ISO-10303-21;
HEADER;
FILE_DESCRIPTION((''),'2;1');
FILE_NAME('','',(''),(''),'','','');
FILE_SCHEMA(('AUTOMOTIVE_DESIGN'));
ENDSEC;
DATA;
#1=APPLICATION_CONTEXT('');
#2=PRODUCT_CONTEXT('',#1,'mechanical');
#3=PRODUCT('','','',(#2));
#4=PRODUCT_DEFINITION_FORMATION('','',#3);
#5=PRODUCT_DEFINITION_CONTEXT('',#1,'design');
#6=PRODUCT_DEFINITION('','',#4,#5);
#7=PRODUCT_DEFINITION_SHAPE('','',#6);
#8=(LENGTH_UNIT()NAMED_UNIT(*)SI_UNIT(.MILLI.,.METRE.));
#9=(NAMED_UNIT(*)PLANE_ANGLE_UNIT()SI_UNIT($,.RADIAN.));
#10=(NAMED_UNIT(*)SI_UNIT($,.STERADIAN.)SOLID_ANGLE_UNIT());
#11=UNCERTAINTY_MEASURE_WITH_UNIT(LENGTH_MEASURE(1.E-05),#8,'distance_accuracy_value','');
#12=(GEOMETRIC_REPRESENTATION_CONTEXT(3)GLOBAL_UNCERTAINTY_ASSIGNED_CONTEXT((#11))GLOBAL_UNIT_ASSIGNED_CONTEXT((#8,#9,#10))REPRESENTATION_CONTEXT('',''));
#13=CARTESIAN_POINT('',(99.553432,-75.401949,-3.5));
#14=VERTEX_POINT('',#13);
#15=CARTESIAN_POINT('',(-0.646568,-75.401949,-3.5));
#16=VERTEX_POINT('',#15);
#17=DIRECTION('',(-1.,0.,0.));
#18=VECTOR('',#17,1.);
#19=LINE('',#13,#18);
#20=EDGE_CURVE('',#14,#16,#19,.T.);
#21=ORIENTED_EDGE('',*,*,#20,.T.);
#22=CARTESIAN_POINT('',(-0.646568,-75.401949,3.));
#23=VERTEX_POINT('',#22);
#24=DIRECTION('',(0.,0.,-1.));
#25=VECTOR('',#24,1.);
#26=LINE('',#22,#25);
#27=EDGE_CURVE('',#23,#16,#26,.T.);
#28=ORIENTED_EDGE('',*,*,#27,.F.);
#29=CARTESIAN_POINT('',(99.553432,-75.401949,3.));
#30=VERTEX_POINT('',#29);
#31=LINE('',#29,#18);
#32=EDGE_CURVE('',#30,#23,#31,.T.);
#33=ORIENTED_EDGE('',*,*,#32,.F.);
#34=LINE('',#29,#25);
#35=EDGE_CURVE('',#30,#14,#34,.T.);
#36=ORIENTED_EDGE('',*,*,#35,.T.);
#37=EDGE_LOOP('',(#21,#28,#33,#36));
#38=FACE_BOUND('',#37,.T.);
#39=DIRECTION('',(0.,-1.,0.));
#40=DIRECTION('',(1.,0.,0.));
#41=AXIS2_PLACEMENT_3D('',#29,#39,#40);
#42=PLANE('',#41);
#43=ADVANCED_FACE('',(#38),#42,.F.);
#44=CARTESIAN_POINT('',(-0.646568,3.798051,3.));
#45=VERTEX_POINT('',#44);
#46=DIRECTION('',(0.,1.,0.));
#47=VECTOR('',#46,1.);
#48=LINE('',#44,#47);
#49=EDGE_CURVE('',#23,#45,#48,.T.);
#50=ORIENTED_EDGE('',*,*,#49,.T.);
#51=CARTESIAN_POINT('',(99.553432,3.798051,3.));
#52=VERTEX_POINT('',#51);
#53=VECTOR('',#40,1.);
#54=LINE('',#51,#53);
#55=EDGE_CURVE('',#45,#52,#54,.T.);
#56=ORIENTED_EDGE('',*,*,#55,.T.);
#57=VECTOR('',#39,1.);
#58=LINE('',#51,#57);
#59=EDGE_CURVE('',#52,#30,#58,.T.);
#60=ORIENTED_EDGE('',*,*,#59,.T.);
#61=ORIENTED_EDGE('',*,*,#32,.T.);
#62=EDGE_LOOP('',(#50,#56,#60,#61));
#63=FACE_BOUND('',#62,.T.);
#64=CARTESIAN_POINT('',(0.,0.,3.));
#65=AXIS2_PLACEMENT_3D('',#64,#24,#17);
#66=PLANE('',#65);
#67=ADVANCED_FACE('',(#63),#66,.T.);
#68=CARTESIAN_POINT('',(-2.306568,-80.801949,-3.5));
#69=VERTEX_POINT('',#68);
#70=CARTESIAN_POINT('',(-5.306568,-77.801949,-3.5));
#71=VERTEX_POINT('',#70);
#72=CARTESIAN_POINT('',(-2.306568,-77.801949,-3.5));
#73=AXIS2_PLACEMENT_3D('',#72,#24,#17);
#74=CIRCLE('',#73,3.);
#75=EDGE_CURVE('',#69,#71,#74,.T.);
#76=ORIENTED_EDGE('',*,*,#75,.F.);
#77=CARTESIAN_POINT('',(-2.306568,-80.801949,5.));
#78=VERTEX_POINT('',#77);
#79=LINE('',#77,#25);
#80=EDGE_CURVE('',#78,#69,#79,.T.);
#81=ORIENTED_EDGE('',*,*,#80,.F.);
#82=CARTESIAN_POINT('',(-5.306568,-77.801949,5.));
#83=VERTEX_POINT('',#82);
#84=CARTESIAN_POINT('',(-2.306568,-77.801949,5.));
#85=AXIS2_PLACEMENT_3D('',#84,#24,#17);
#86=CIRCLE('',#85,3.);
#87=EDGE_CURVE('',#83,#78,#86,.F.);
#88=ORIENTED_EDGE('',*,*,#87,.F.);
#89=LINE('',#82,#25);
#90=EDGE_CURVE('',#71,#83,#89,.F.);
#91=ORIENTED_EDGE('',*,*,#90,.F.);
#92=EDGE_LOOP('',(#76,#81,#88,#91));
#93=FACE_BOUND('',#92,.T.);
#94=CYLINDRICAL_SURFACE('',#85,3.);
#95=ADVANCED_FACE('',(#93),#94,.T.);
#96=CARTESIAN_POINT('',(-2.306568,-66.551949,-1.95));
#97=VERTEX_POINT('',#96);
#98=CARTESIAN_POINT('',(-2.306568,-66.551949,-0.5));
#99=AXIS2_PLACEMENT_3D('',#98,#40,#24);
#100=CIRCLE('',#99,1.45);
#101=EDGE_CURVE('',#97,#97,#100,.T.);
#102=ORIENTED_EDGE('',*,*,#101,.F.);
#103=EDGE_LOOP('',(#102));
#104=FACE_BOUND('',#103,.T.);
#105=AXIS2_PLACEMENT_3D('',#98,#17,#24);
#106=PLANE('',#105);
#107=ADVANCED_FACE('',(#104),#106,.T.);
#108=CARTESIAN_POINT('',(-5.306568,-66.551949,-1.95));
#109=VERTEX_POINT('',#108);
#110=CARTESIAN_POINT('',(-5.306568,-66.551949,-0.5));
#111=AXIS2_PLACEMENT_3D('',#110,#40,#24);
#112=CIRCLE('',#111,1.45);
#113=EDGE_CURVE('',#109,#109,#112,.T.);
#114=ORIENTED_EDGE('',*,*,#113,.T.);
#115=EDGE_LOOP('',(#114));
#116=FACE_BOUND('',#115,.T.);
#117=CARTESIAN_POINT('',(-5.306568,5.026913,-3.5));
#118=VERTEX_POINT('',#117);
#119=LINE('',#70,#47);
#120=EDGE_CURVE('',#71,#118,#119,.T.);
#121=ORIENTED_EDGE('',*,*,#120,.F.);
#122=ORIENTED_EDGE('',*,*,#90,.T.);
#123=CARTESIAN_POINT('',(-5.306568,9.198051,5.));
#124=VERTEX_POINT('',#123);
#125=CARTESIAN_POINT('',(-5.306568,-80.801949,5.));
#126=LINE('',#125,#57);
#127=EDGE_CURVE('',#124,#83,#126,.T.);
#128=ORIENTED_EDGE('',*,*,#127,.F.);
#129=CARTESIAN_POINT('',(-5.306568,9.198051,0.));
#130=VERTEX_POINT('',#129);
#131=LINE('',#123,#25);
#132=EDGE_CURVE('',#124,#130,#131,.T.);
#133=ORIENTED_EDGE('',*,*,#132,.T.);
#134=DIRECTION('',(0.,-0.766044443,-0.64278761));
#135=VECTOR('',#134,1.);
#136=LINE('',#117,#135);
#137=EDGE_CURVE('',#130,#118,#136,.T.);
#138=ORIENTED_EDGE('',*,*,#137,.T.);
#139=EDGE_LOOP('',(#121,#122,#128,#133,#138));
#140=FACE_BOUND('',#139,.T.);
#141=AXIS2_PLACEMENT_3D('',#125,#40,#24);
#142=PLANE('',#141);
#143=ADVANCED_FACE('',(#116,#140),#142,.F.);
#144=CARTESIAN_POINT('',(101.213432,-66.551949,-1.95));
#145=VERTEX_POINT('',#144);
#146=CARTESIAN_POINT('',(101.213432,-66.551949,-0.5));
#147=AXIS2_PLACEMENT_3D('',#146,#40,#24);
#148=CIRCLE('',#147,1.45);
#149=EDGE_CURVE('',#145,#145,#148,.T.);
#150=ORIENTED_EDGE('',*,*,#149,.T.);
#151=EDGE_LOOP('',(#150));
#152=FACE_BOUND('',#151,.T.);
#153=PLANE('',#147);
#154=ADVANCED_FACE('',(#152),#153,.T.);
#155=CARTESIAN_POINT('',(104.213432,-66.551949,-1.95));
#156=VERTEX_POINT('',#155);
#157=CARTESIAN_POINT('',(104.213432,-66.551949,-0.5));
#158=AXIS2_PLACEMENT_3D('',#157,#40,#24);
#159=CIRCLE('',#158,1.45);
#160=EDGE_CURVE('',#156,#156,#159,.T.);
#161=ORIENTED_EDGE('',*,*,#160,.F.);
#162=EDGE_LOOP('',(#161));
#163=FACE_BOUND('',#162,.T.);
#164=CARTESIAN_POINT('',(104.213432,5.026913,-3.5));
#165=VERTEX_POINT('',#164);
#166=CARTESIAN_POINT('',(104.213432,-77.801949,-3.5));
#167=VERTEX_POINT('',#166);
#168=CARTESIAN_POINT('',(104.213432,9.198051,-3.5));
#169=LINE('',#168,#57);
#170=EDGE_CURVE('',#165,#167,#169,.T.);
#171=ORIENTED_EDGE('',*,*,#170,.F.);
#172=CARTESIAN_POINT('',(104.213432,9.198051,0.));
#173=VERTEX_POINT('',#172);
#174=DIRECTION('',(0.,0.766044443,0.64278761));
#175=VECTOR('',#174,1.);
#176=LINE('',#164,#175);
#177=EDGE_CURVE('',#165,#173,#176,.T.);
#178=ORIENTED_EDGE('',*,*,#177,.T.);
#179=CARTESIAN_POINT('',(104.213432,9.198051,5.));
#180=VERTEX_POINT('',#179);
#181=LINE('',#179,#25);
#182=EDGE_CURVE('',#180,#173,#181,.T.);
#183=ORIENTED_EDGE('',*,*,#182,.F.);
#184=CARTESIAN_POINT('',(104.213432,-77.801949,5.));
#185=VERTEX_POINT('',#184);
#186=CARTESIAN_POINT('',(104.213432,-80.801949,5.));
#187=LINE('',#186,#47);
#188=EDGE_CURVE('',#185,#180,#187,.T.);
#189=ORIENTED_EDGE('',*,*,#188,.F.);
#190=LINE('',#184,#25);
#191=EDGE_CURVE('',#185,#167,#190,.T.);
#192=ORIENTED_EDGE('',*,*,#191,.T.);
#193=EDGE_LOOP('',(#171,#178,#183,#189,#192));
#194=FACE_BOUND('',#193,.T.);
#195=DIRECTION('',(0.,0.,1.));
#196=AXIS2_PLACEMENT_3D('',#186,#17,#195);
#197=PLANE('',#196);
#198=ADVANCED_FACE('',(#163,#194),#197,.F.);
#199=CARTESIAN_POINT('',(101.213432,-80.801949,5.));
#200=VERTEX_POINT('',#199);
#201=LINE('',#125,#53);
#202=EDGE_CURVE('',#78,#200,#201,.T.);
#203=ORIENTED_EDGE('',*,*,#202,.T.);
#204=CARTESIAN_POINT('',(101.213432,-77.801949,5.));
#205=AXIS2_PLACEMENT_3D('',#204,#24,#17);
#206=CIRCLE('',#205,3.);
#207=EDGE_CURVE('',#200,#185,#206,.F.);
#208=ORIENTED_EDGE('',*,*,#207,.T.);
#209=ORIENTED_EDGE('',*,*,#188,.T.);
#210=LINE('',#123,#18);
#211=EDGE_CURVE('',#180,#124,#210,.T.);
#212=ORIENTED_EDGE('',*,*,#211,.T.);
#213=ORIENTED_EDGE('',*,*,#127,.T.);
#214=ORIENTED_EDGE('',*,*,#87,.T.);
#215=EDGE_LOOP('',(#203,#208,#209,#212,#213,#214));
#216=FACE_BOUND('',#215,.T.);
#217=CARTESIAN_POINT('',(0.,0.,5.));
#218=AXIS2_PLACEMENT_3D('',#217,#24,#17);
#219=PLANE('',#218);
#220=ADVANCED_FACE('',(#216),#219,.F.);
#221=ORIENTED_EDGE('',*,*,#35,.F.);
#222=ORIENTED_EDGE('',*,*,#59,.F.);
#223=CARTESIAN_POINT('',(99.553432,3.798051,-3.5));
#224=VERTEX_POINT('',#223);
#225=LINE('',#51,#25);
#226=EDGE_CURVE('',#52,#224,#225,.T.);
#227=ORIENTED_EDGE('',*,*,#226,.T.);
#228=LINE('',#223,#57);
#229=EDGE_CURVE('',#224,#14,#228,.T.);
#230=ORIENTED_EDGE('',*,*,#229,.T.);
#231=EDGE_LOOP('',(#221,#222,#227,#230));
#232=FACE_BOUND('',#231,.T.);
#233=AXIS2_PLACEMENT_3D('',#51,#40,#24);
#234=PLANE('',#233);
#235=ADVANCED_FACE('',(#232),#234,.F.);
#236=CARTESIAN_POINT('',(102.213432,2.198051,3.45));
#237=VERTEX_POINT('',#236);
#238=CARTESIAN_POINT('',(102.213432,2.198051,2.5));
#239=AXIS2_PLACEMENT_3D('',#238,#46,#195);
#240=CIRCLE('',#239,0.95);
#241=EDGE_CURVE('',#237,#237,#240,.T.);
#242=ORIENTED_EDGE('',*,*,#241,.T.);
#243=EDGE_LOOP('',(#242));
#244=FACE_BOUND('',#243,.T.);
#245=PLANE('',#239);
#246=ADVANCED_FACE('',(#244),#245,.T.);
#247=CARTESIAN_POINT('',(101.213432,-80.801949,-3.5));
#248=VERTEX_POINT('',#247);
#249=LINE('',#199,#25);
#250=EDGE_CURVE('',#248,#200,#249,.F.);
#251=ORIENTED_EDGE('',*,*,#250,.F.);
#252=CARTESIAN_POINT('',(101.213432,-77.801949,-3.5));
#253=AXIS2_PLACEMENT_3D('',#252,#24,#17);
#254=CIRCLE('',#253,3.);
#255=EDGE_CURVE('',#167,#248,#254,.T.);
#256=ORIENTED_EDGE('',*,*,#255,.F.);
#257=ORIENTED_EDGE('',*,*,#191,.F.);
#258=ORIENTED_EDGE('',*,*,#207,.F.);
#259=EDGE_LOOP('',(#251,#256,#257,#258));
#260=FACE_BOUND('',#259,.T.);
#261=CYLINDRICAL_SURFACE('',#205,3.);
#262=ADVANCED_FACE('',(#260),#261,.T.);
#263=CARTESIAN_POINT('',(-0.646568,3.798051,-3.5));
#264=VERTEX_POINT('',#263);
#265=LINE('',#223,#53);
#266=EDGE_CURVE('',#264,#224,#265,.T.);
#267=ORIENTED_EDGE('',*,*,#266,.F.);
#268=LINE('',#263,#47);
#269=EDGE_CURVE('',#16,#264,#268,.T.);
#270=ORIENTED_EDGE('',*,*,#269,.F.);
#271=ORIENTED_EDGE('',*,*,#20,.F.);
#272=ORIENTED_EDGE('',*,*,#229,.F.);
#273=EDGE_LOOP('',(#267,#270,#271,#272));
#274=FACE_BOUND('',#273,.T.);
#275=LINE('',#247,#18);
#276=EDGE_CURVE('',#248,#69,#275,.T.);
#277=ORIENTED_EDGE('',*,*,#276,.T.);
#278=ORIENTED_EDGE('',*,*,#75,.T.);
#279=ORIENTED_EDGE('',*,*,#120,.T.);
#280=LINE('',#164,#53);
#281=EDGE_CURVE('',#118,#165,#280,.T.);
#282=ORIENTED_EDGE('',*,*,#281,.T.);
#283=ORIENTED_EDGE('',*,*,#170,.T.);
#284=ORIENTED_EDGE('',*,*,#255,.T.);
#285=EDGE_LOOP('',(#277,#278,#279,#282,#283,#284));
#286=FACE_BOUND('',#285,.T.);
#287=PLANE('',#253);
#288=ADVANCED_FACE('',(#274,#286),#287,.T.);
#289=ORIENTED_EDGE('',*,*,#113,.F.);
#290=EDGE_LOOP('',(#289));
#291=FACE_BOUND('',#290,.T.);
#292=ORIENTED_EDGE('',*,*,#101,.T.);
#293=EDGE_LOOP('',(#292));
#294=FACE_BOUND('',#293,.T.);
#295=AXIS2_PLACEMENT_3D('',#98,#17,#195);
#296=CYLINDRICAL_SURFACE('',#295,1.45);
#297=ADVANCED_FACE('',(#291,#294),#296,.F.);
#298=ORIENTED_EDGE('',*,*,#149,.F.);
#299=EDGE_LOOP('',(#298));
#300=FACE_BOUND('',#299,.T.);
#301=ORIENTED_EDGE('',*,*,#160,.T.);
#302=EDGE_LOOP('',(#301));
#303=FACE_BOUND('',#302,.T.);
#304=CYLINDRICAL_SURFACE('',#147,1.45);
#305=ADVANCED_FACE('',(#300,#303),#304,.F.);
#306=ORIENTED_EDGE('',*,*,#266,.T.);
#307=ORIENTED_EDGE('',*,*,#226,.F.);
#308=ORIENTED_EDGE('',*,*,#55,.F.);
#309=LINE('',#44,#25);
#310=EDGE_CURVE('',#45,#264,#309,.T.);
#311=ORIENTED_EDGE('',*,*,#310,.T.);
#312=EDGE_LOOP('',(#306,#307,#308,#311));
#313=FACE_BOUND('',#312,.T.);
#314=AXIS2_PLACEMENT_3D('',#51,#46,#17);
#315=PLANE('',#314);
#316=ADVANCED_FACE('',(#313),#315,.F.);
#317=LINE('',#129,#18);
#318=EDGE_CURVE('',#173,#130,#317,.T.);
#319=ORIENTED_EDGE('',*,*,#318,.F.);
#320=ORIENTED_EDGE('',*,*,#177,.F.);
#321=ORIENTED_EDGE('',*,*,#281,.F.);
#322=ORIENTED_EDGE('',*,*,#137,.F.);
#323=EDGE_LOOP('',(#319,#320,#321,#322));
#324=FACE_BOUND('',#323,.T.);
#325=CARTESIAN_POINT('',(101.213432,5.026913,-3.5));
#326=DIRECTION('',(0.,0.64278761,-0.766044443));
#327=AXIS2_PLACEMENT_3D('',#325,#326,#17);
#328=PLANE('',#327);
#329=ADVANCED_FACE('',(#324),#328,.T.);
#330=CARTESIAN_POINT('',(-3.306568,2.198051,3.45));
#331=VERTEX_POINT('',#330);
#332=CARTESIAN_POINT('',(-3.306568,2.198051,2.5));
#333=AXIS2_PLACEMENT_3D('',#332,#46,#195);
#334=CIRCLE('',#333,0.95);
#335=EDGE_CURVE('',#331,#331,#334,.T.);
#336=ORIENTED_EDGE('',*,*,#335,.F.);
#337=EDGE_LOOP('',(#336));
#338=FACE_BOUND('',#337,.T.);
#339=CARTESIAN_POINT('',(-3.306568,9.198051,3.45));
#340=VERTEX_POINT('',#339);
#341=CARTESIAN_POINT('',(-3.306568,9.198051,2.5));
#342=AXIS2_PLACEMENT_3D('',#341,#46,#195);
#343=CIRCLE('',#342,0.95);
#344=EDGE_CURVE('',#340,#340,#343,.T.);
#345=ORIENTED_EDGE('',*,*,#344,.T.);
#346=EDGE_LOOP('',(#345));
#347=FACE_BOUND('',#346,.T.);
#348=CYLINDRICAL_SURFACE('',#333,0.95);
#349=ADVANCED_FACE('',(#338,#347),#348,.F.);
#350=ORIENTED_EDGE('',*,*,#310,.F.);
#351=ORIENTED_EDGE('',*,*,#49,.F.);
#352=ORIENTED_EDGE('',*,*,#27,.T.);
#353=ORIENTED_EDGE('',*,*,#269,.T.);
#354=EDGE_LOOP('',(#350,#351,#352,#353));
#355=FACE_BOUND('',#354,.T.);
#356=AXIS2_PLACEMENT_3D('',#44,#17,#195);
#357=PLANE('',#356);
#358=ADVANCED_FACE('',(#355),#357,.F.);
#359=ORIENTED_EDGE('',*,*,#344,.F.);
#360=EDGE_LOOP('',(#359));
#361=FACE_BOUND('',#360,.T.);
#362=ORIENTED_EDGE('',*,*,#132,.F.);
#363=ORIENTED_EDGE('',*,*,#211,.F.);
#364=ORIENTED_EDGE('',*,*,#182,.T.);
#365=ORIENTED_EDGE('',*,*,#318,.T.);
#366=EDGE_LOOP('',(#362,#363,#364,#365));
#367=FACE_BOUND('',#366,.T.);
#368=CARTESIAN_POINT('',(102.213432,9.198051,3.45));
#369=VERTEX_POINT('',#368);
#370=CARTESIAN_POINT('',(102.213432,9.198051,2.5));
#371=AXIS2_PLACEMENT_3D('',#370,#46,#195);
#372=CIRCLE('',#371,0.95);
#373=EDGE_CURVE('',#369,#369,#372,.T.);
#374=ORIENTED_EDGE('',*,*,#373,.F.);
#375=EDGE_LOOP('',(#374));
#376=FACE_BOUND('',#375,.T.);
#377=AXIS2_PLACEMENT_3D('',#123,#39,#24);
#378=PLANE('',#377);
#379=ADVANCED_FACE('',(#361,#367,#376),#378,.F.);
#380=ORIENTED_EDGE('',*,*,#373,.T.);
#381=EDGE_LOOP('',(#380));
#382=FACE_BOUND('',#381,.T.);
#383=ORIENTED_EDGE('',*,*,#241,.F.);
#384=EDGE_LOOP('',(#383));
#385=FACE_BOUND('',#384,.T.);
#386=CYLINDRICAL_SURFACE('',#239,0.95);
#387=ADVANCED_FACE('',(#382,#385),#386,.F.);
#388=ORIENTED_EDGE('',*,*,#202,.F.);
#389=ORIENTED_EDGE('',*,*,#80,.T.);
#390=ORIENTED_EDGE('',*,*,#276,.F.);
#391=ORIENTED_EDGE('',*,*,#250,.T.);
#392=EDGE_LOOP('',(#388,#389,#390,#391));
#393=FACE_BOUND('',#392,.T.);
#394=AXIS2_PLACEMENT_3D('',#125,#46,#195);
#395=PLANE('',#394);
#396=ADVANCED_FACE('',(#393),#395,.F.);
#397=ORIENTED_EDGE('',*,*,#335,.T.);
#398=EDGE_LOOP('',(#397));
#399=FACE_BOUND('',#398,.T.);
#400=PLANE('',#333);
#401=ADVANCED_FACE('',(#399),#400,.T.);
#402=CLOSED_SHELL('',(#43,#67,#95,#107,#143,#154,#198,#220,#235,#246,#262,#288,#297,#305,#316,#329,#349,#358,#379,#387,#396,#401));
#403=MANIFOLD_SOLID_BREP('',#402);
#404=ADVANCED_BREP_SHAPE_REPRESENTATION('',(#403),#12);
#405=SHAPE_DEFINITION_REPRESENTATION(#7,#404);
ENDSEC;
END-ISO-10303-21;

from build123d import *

# Parameters (mm, degrees)
SKETCH1_W           = 109.52
SKETCH1_H           = 90
BOSS_EXTRUDE1_DEPTH = 5
SKETCH2_R           = 0.95
CUT_EXTRUDE1_DEPTH  = 7
FILLET1_R           = 3
BOSS_EXTRUDE2_DEPTH = 3.5
CHAMFER1_SIZE       = 3.5
CHAMFER1_SIZE2      = 4.171137574
SKETCH5_W           = 100.2
SKETCH5_H           = 79.2
CUT_EXTRUDE3_DEPTH  = 6.5
SKETCH8_R           = 1.45
CUT_EXTRUDE5_DEPTH  = 3


with BuildPart() as part:
    # Sketch1 → Boss-Extrude1 (new body)
    with BuildSketch(Plane.XY):
        with Locations((49.453432203, -35.801949153)):
            Rectangle(SKETCH1_W, SKETCH1_H)
    extrude(amount=BOSS_EXTRUDE1_DEPTH)

    # Sketch2 → Cut-Extrude1 (cut)
    with BuildSketch(Plane(origin=(0, 9.198050847, 0), x_dir=(1, 0, 0), z_dir=(0, 1, 0))):
        with Locations(Location((-3.306567797, -2.5, 0), (0, 0, 270))):
            Circle(SKETCH2_R)
        with Locations(Location((102.213432203, -2.5, 0), (0, 0, 270))):
            Circle(SKETCH2_R)
    extrude(amount=-CUT_EXTRUDE1_DEPTH, mode=Mode.SUBTRACT)

    # Fillet1
    fillet1_edges = [part.edges().sort_by_distance(p)[0] for p in [
        (104.213432203, -80.801949153, 2.5),
        (-5.306567797, -80.801949153, 2.5),
    ]]
    fillet(fillet1_edges, radius=FILLET1_R)

    # Sketch4 → Boss-Extrude2 (add)
    with BuildSketch(Plane(origin=(0, 0, 0), x_dir=(-1, 0, 0), z_dir=(0, 0, -1))):
        with BuildLine():
            Line((-104.213432203, 9.198050847), (-104.213432203, -77.801949153))
            ThreePointArc((-104.213432203, -77.801949153), (-103.334752547, -79.923269496), (-101.213432203, -80.801949153))
            Line((-101.213432203, -80.801949153), (2.306567797, -80.801949153))
            ThreePointArc((2.306567797, -80.801949153), (4.42788814, -79.923269496), (5.306567797, -77.801949153))
            Line((5.306567797, -77.801949153), (5.306567797, 9.198050847))
            Line((5.306567797, 9.198050847), (-104.213432203, 9.198050847))
        make_face()
    extrude(amount=BOSS_EXTRUDE2_DEPTH)

    # Chamfer1
    chamfer1_edges = [part.edges().sort_by_distance(p)[0] for p in [
        (49.453432203, 9.198050847, -3.5),
    ]]
    chamfer1_side = [part.faces().sort_by_distance(p)[0] for p in [
        (49.453432203, 9.198050847, 0.739274778),
    ]]
    chamfer(chamfer1_edges, length=CHAMFER1_SIZE, length2=CHAMFER1_SIZE2, reference=chamfer1_side[0])

    # Sketch5 → Cut-Extrude3 (cut)
    with BuildSketch(Plane(origin=(0, 0, -3.5), x_dir=(-1, 0, 0), z_dir=(0, 0, -1))):
        with Locations((-49.453432203, -35.801949153)):
            Rectangle(SKETCH5_W, SKETCH5_H)
    extrude(amount=-CUT_EXTRUDE3_DEPTH, mode=Mode.SUBTRACT)

    # Sketch8 → Cut-Extrude5 (cut)
    with BuildSketch(Plane(origin=(104.213432203, 0, 0), x_dir=(0, 0, -1), z_dir=(1, 0, 0))):
        with Locations((0.5, -66.551949153)):
            Circle(SKETCH8_R)
    cut_extrude5 = extrude(amount=-CUT_EXTRUDE5_DEPTH, mode=Mode.SUBTRACT)

    # Mirror2: Cut-Extrude5 across plane
    add(cut_extrude5.mirror(Plane.ZY.offset(-49.453432203)), mode=Mode.SUBTRACT)


solid = part.part
